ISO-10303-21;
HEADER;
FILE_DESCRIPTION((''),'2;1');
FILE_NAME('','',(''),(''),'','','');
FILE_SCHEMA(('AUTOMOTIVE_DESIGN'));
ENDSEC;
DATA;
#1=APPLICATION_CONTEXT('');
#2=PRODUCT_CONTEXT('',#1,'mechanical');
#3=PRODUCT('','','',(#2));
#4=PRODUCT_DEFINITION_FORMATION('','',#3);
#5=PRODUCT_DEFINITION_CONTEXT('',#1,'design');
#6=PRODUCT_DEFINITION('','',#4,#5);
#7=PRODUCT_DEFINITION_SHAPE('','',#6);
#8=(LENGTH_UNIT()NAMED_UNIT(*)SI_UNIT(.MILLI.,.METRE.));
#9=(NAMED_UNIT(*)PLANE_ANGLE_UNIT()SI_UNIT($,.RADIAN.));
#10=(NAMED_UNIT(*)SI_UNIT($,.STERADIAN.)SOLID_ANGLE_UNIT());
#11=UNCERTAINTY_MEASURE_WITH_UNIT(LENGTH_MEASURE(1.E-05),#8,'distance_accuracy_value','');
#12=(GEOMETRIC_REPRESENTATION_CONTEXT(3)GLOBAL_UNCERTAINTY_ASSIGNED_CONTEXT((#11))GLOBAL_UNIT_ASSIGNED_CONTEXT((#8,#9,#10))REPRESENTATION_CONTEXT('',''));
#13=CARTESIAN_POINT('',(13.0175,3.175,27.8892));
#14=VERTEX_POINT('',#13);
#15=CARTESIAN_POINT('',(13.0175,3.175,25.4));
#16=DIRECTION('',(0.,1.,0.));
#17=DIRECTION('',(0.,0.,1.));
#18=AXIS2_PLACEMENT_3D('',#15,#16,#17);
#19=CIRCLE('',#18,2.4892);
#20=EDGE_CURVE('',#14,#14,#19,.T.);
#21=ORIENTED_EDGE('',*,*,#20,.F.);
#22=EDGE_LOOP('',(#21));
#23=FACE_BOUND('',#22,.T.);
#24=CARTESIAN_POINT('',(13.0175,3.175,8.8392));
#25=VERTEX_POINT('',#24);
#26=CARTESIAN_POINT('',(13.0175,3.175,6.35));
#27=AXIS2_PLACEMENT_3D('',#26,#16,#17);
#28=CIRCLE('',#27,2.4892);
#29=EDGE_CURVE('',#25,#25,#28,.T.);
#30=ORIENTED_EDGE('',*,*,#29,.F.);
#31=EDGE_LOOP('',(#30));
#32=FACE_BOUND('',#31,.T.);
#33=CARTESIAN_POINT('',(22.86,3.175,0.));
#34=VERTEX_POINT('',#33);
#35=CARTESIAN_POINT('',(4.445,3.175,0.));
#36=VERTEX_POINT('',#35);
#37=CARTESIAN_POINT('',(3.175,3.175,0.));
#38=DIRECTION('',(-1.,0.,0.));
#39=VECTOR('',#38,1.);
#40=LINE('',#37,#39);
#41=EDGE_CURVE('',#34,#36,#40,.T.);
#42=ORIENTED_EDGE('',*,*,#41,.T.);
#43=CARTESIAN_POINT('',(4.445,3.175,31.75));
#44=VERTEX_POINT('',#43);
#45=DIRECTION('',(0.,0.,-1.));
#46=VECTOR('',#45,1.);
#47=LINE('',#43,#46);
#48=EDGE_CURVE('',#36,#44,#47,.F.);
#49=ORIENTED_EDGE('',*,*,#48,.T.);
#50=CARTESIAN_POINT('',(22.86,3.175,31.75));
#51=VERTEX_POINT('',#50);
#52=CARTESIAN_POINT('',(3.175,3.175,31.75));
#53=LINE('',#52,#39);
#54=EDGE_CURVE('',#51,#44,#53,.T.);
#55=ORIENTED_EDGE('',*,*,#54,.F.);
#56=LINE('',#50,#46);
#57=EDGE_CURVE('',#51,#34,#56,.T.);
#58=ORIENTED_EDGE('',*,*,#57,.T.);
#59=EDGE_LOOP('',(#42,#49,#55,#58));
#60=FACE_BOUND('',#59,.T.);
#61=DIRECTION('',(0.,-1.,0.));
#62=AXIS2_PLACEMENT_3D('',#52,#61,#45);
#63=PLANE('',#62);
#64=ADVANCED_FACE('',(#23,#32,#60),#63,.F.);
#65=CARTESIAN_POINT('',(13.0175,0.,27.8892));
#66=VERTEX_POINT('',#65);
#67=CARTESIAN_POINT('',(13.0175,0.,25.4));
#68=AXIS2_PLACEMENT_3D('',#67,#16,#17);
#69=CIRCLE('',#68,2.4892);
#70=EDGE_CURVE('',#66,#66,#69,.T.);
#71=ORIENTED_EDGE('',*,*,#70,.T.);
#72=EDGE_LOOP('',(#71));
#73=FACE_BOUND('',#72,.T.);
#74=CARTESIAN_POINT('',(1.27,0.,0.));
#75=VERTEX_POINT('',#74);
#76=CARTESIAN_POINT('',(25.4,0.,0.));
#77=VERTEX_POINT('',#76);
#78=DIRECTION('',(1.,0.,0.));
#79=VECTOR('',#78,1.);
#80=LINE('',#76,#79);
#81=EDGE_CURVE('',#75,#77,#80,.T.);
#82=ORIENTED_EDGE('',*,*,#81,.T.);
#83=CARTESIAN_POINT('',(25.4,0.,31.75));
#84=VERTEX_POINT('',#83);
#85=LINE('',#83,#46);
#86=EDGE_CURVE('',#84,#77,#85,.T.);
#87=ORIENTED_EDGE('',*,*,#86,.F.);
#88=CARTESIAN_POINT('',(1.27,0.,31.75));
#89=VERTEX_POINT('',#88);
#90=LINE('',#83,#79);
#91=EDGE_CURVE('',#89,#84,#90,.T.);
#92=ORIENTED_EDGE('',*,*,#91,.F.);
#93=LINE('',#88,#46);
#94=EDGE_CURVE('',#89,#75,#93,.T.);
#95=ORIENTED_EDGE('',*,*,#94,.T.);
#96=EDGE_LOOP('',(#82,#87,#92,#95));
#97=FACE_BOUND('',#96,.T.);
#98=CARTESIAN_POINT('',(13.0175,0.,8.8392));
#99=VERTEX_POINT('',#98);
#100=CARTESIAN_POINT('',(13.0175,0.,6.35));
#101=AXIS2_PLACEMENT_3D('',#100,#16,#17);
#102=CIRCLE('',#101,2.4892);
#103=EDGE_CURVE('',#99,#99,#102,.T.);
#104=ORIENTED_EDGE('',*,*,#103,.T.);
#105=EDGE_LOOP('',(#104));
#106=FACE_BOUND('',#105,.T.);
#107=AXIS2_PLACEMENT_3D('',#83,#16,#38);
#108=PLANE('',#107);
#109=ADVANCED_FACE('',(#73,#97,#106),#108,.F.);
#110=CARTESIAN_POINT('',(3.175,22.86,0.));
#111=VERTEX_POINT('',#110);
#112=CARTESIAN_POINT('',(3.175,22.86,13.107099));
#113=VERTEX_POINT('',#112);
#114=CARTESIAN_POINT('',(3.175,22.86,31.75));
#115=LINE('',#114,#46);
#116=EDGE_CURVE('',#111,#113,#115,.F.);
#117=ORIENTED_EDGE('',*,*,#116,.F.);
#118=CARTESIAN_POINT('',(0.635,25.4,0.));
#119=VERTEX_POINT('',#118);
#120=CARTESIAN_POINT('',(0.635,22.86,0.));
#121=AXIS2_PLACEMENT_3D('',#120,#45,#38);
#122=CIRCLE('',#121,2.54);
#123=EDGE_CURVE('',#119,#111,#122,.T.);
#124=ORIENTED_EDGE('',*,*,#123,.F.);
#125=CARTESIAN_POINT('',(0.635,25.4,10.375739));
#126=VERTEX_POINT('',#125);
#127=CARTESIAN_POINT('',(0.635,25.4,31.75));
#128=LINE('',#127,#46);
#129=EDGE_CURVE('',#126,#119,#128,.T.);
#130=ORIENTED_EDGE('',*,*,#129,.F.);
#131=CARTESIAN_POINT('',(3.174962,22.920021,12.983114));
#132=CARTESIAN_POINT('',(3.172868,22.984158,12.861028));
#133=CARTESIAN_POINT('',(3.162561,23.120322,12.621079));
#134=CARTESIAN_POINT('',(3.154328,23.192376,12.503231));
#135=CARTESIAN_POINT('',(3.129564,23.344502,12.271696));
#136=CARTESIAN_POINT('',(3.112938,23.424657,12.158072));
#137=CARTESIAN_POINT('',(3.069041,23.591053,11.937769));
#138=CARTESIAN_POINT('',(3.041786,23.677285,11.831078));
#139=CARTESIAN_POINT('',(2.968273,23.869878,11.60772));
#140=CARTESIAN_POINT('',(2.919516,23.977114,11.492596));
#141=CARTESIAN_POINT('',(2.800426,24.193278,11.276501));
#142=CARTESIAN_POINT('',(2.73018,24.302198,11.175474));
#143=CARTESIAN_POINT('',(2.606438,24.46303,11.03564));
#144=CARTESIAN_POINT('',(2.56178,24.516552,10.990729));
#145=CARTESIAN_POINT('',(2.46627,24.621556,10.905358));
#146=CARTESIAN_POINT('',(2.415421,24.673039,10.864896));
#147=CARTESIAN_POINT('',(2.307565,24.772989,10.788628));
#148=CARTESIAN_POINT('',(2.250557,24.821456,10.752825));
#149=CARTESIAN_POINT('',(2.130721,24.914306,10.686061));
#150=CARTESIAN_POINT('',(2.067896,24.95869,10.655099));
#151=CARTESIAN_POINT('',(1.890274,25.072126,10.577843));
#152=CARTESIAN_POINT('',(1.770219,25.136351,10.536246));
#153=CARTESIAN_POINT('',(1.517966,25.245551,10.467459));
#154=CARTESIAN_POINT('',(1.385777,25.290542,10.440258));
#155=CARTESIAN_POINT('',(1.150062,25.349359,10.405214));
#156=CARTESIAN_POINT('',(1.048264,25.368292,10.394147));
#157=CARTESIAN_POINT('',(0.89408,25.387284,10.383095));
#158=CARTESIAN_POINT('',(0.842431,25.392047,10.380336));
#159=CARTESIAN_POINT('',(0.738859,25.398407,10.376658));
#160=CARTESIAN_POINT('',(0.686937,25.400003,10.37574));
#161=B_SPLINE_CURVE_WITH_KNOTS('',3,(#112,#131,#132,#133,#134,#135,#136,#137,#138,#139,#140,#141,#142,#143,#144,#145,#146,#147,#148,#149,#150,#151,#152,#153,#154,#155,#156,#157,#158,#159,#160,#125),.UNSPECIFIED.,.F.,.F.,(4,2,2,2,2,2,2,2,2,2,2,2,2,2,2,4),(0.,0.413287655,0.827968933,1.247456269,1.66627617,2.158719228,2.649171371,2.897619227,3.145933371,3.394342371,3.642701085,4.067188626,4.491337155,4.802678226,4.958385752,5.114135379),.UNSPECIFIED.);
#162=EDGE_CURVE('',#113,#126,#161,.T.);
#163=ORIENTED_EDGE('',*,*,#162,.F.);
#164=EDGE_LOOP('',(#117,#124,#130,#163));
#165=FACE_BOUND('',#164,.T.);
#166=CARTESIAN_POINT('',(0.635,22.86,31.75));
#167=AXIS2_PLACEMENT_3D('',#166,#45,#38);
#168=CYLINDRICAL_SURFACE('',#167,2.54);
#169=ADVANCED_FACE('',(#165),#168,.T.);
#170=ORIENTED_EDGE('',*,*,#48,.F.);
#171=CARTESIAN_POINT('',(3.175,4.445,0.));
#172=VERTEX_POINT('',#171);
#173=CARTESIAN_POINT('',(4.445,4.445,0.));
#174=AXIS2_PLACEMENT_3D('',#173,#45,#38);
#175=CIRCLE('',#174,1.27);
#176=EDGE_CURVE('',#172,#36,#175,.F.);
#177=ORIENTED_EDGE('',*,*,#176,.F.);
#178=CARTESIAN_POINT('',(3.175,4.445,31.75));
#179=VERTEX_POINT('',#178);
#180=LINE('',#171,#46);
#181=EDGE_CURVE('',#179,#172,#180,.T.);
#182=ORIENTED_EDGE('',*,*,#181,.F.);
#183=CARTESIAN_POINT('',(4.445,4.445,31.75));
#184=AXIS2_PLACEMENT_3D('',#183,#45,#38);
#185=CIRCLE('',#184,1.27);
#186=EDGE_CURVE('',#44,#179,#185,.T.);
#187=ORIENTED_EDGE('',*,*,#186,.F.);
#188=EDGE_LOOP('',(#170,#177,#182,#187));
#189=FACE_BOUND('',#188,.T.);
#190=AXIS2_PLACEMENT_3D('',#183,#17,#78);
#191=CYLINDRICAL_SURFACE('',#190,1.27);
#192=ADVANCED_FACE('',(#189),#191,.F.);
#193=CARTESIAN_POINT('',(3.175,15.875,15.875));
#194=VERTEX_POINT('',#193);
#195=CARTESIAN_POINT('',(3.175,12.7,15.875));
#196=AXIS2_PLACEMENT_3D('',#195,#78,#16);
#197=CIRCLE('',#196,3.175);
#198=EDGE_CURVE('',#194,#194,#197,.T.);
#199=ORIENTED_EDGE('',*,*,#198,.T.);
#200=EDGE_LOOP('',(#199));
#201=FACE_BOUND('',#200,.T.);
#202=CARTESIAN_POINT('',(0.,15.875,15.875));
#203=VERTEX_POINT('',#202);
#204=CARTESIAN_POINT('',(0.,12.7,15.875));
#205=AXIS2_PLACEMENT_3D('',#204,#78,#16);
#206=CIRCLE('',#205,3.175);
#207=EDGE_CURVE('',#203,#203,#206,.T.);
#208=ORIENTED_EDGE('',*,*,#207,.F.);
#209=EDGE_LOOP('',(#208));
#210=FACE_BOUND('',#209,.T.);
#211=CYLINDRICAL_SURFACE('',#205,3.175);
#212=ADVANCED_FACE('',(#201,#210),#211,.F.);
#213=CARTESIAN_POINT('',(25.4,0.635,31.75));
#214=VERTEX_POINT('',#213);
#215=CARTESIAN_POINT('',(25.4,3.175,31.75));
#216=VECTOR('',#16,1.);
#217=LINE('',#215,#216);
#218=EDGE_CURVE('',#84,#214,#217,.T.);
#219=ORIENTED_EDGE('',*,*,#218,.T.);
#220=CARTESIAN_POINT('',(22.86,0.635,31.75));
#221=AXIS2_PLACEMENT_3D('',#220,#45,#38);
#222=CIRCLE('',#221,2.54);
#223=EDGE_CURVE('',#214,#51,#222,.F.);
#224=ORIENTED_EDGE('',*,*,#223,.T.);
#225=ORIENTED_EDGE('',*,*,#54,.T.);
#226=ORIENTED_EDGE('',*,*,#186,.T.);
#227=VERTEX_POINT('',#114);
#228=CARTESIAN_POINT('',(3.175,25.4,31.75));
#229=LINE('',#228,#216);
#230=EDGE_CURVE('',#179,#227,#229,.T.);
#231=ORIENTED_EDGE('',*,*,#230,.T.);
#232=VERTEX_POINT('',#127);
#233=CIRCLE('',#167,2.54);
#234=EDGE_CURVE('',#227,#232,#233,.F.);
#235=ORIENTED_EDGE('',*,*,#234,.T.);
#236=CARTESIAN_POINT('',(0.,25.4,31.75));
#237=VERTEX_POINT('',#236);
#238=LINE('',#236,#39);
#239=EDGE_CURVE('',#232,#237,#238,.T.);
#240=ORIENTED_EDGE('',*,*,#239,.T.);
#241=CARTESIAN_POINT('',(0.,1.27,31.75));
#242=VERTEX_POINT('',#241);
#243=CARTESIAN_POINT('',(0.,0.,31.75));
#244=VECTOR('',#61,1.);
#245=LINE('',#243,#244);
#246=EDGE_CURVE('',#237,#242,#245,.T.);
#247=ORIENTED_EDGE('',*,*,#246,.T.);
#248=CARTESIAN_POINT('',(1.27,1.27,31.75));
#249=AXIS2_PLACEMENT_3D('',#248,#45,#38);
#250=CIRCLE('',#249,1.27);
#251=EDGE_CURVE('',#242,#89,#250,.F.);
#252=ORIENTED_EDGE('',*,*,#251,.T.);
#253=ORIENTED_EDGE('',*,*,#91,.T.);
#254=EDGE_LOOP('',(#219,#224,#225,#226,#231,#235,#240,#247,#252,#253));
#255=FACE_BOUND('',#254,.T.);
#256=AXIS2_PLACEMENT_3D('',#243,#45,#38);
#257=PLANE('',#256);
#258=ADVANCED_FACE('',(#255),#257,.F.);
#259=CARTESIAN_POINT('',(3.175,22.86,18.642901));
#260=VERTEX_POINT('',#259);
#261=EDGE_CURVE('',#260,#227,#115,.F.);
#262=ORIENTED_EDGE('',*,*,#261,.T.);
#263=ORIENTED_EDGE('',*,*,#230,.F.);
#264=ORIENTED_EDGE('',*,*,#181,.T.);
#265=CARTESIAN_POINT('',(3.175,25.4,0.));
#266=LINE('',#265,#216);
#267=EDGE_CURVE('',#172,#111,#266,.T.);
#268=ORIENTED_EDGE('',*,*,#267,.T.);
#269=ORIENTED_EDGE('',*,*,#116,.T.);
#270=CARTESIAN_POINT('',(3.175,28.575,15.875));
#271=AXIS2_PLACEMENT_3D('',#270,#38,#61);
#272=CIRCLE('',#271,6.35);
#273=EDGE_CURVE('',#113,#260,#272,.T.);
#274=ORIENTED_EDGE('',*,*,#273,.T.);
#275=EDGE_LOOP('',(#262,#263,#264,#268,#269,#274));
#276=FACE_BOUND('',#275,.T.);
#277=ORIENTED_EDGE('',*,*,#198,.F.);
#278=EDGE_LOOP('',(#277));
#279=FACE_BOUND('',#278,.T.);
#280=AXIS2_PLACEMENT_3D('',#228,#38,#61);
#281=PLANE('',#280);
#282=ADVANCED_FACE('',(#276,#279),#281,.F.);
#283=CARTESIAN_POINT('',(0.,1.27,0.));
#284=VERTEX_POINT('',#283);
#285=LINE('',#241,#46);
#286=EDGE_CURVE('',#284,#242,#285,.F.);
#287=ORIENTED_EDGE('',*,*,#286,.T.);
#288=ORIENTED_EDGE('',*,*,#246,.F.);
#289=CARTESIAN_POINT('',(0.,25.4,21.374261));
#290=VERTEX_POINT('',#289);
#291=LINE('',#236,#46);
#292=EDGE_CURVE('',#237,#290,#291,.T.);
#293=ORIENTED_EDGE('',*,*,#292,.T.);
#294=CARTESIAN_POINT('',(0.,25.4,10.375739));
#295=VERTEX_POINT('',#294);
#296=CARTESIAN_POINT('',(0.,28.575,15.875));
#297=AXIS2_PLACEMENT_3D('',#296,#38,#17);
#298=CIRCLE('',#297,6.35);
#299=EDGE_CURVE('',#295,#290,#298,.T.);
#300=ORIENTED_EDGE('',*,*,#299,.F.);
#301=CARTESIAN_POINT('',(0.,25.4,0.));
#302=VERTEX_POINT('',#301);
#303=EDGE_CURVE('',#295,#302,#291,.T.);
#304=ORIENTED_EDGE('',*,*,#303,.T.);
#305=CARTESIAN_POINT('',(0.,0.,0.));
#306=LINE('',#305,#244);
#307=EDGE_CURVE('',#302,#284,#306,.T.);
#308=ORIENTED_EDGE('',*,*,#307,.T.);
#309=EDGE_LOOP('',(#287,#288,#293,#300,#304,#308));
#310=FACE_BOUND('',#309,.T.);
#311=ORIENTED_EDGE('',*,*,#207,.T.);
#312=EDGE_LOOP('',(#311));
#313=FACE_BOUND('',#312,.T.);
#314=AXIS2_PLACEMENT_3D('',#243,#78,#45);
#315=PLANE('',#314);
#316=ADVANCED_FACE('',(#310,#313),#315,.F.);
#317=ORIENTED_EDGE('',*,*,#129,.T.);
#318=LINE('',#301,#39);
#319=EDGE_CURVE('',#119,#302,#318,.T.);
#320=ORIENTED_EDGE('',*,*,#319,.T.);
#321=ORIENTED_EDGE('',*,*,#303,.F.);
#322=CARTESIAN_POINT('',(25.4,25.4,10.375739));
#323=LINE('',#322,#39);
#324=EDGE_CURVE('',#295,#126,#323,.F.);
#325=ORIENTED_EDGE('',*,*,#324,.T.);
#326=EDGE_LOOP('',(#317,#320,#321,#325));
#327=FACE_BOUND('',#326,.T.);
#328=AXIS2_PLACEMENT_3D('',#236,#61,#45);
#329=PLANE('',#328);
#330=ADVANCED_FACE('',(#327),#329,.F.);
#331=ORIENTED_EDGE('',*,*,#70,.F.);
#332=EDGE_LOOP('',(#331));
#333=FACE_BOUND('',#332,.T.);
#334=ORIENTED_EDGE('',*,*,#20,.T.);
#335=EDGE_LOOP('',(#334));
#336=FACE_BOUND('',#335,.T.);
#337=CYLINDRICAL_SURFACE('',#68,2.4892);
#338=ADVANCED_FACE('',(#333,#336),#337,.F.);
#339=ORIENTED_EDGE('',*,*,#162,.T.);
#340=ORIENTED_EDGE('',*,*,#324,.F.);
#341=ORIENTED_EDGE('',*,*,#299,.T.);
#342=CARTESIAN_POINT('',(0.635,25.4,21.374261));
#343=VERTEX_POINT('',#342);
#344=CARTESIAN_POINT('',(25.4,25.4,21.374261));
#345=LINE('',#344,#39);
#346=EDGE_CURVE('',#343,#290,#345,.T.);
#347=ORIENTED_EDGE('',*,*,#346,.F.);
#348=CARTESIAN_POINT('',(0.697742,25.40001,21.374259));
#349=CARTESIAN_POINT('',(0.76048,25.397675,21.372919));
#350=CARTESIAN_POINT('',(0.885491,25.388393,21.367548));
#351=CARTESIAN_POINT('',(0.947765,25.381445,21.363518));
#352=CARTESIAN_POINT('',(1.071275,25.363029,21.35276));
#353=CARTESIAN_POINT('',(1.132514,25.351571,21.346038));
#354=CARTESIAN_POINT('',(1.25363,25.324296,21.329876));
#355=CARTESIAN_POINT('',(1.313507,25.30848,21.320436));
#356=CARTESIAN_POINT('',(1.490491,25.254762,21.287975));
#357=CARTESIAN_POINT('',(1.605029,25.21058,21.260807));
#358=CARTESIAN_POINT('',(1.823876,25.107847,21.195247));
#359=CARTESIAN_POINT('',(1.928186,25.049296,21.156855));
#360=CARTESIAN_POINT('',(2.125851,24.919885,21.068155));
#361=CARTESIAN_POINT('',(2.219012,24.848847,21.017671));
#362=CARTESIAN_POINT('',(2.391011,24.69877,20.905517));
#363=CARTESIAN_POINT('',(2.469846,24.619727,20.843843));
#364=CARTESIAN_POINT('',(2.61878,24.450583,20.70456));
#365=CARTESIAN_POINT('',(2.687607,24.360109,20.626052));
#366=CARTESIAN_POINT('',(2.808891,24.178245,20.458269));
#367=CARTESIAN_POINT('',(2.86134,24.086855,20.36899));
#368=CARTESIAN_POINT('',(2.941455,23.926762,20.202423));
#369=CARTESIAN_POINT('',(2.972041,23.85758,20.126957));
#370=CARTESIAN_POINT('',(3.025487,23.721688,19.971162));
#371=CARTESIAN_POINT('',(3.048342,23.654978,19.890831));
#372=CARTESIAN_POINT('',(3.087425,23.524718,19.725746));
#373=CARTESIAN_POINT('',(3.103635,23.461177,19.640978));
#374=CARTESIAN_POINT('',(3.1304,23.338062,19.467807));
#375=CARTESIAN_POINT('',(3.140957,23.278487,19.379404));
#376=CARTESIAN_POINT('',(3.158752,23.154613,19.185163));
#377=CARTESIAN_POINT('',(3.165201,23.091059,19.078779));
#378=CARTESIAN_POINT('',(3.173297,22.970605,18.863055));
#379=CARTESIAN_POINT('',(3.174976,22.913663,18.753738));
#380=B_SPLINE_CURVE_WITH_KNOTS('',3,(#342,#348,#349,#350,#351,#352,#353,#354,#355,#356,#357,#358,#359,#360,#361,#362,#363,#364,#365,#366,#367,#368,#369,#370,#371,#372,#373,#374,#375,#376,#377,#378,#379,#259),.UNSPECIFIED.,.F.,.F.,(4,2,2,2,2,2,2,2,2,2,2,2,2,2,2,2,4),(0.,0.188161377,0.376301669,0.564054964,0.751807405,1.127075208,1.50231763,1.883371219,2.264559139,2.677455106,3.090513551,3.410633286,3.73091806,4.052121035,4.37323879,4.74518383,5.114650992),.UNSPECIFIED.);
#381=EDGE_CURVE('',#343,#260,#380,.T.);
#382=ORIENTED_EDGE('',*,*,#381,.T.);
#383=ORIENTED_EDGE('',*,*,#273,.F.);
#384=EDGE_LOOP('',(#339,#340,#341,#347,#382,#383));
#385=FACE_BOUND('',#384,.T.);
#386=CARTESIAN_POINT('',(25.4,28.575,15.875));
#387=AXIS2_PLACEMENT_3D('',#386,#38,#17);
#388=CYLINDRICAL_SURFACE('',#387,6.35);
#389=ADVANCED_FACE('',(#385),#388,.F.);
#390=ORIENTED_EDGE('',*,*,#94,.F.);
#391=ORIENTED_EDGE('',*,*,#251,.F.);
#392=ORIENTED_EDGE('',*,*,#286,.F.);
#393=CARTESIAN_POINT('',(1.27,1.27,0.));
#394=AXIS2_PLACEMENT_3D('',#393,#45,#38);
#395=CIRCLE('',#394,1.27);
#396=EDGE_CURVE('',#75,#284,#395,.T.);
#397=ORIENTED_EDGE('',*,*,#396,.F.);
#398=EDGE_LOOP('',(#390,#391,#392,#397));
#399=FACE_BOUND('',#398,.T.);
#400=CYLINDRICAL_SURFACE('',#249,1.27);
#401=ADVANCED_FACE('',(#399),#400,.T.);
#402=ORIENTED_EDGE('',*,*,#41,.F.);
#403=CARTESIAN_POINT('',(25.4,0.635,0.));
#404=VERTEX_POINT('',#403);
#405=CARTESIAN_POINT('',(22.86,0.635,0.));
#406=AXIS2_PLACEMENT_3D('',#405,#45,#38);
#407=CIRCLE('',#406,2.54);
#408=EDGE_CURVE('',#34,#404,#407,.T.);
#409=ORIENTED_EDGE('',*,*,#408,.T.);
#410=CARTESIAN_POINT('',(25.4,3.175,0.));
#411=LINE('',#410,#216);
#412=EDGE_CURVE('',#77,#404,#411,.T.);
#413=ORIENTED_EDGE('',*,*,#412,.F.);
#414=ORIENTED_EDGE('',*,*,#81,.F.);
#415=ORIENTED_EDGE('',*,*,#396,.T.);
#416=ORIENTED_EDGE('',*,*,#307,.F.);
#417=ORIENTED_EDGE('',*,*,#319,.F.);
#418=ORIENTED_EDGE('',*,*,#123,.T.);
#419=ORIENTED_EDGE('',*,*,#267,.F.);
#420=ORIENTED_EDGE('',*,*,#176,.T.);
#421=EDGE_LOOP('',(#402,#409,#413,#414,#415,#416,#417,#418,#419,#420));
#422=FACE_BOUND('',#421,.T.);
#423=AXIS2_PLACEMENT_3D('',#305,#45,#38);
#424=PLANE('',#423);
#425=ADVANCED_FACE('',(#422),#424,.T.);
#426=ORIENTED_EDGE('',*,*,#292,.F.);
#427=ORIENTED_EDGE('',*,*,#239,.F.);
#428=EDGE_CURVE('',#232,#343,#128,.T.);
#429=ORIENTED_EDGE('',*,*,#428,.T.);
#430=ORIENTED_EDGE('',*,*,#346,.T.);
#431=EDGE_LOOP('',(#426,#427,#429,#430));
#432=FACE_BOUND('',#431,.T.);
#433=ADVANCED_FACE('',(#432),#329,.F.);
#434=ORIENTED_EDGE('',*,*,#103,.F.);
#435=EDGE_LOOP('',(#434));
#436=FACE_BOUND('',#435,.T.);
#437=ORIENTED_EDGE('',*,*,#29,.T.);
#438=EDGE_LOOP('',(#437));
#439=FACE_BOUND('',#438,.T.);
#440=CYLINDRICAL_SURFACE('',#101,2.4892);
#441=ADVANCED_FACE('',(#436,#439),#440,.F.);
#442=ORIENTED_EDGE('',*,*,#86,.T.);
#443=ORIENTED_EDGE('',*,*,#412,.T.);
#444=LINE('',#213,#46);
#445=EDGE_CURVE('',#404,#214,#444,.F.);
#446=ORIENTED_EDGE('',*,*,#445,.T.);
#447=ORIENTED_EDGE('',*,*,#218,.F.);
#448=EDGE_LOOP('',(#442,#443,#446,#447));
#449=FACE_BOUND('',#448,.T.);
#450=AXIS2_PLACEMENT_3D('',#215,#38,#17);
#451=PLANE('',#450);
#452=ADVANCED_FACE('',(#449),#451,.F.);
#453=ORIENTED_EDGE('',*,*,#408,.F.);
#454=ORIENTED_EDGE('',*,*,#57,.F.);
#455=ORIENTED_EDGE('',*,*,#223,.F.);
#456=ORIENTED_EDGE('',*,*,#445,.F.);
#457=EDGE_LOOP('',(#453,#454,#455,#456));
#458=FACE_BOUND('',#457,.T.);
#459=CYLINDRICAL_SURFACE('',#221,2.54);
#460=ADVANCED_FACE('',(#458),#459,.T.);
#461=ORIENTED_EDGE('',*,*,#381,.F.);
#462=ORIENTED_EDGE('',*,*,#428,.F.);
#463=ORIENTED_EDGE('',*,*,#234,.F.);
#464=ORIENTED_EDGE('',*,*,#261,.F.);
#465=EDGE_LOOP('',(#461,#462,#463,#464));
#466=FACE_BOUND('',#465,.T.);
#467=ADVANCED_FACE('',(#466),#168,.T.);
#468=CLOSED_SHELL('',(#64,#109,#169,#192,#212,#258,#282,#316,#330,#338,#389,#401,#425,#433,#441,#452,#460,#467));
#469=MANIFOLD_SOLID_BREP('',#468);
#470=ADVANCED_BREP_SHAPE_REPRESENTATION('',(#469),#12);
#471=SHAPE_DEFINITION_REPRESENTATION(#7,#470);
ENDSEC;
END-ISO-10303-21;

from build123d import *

# Parameters (mm, degrees)
BOSS_EXTRUDE1_DEPTH = 31.75
FILLET1_R           = 2.54
FILLET2_R           = 1.27
SKETCH2_R           = 6.35
CUT_EXTRUDE1_DEPTH  = 48.941448664
SKETCH3_R           = 2.4892
CUT_EXTRUDE2_DEPTH  = 47.33759959
SKETCH4_R           = 3.175
CUT_EXTRUDE3_DEPTH  = 47.337599597


with BuildPart() as part:
    # Sketch1 → Boss-Extrude1 (new body)
    with BuildSketch(Plane.XY):
        Polygon((0, 0), (0, 25.4), (3.175, 25.4), (3.175, 3.175), (25.4, 3.175), (25.4, 0), align=None)
    extrude(amount=BOSS_EXTRUDE1_DEPTH)

    # Fillet1
    fillet1_edges = [part.edges().sort_by_distance(p)[0] for p in [
        (3.175, 25.4, 15.875),
        (25.4, 3.175, 15.875),
    ]]
    fillet(fillet1_edges, radius=FILLET1_R)

    # Fillet2
    fillet2_edges = [part.edges().sort_by_distance(p)[0] for p in [
        (0, 0, 15.875),
        (3.175, 3.175, 15.875),
    ]]
    fillet(fillet2_edges, radius=FILLET2_R)

    # Sketch2 → Cut-Extrude1 (cut, through all)
    with BuildSketch(Plane.ZY):
        with Locations((15.875, 28.575)):
            Circle(SKETCH2_R)
    extrude(amount=-CUT_EXTRUDE1_DEPTH, mode=Mode.SUBTRACT)

    # Sketch3 → Cut-Extrude2 (cut, through all)
    with BuildSketch(Plane(origin=(0, 3.175, 0), x_dir=(1, 0, 0), z_dir=(0, 1, 0))):
        with Locations(Location((13.0175, -6.35, 0), (0, 0, 270))):
            Circle(SKETCH3_R)
        with Locations(Location((13.0175, -25.4, 0), (0, 0, 270))):
            Circle(SKETCH3_R)
    extrude(amount=-CUT_EXTRUDE2_DEPTH, mode=Mode.SUBTRACT)

    # Sketch4 → Cut-Extrude3 (cut, through all)
    with BuildSketch(Plane(origin=(3.175, 0, 0), x_dir=(0, 0, -1), z_dir=(1, 0, 0))):
        with Locations(Location((-15.875, 12.7, 0), (0, 0, 90))):
            Circle(SKETCH4_R)
    extrude(amount=-CUT_EXTRUDE3_DEPTH, mode=Mode.SUBTRACT)


solid = part.part
